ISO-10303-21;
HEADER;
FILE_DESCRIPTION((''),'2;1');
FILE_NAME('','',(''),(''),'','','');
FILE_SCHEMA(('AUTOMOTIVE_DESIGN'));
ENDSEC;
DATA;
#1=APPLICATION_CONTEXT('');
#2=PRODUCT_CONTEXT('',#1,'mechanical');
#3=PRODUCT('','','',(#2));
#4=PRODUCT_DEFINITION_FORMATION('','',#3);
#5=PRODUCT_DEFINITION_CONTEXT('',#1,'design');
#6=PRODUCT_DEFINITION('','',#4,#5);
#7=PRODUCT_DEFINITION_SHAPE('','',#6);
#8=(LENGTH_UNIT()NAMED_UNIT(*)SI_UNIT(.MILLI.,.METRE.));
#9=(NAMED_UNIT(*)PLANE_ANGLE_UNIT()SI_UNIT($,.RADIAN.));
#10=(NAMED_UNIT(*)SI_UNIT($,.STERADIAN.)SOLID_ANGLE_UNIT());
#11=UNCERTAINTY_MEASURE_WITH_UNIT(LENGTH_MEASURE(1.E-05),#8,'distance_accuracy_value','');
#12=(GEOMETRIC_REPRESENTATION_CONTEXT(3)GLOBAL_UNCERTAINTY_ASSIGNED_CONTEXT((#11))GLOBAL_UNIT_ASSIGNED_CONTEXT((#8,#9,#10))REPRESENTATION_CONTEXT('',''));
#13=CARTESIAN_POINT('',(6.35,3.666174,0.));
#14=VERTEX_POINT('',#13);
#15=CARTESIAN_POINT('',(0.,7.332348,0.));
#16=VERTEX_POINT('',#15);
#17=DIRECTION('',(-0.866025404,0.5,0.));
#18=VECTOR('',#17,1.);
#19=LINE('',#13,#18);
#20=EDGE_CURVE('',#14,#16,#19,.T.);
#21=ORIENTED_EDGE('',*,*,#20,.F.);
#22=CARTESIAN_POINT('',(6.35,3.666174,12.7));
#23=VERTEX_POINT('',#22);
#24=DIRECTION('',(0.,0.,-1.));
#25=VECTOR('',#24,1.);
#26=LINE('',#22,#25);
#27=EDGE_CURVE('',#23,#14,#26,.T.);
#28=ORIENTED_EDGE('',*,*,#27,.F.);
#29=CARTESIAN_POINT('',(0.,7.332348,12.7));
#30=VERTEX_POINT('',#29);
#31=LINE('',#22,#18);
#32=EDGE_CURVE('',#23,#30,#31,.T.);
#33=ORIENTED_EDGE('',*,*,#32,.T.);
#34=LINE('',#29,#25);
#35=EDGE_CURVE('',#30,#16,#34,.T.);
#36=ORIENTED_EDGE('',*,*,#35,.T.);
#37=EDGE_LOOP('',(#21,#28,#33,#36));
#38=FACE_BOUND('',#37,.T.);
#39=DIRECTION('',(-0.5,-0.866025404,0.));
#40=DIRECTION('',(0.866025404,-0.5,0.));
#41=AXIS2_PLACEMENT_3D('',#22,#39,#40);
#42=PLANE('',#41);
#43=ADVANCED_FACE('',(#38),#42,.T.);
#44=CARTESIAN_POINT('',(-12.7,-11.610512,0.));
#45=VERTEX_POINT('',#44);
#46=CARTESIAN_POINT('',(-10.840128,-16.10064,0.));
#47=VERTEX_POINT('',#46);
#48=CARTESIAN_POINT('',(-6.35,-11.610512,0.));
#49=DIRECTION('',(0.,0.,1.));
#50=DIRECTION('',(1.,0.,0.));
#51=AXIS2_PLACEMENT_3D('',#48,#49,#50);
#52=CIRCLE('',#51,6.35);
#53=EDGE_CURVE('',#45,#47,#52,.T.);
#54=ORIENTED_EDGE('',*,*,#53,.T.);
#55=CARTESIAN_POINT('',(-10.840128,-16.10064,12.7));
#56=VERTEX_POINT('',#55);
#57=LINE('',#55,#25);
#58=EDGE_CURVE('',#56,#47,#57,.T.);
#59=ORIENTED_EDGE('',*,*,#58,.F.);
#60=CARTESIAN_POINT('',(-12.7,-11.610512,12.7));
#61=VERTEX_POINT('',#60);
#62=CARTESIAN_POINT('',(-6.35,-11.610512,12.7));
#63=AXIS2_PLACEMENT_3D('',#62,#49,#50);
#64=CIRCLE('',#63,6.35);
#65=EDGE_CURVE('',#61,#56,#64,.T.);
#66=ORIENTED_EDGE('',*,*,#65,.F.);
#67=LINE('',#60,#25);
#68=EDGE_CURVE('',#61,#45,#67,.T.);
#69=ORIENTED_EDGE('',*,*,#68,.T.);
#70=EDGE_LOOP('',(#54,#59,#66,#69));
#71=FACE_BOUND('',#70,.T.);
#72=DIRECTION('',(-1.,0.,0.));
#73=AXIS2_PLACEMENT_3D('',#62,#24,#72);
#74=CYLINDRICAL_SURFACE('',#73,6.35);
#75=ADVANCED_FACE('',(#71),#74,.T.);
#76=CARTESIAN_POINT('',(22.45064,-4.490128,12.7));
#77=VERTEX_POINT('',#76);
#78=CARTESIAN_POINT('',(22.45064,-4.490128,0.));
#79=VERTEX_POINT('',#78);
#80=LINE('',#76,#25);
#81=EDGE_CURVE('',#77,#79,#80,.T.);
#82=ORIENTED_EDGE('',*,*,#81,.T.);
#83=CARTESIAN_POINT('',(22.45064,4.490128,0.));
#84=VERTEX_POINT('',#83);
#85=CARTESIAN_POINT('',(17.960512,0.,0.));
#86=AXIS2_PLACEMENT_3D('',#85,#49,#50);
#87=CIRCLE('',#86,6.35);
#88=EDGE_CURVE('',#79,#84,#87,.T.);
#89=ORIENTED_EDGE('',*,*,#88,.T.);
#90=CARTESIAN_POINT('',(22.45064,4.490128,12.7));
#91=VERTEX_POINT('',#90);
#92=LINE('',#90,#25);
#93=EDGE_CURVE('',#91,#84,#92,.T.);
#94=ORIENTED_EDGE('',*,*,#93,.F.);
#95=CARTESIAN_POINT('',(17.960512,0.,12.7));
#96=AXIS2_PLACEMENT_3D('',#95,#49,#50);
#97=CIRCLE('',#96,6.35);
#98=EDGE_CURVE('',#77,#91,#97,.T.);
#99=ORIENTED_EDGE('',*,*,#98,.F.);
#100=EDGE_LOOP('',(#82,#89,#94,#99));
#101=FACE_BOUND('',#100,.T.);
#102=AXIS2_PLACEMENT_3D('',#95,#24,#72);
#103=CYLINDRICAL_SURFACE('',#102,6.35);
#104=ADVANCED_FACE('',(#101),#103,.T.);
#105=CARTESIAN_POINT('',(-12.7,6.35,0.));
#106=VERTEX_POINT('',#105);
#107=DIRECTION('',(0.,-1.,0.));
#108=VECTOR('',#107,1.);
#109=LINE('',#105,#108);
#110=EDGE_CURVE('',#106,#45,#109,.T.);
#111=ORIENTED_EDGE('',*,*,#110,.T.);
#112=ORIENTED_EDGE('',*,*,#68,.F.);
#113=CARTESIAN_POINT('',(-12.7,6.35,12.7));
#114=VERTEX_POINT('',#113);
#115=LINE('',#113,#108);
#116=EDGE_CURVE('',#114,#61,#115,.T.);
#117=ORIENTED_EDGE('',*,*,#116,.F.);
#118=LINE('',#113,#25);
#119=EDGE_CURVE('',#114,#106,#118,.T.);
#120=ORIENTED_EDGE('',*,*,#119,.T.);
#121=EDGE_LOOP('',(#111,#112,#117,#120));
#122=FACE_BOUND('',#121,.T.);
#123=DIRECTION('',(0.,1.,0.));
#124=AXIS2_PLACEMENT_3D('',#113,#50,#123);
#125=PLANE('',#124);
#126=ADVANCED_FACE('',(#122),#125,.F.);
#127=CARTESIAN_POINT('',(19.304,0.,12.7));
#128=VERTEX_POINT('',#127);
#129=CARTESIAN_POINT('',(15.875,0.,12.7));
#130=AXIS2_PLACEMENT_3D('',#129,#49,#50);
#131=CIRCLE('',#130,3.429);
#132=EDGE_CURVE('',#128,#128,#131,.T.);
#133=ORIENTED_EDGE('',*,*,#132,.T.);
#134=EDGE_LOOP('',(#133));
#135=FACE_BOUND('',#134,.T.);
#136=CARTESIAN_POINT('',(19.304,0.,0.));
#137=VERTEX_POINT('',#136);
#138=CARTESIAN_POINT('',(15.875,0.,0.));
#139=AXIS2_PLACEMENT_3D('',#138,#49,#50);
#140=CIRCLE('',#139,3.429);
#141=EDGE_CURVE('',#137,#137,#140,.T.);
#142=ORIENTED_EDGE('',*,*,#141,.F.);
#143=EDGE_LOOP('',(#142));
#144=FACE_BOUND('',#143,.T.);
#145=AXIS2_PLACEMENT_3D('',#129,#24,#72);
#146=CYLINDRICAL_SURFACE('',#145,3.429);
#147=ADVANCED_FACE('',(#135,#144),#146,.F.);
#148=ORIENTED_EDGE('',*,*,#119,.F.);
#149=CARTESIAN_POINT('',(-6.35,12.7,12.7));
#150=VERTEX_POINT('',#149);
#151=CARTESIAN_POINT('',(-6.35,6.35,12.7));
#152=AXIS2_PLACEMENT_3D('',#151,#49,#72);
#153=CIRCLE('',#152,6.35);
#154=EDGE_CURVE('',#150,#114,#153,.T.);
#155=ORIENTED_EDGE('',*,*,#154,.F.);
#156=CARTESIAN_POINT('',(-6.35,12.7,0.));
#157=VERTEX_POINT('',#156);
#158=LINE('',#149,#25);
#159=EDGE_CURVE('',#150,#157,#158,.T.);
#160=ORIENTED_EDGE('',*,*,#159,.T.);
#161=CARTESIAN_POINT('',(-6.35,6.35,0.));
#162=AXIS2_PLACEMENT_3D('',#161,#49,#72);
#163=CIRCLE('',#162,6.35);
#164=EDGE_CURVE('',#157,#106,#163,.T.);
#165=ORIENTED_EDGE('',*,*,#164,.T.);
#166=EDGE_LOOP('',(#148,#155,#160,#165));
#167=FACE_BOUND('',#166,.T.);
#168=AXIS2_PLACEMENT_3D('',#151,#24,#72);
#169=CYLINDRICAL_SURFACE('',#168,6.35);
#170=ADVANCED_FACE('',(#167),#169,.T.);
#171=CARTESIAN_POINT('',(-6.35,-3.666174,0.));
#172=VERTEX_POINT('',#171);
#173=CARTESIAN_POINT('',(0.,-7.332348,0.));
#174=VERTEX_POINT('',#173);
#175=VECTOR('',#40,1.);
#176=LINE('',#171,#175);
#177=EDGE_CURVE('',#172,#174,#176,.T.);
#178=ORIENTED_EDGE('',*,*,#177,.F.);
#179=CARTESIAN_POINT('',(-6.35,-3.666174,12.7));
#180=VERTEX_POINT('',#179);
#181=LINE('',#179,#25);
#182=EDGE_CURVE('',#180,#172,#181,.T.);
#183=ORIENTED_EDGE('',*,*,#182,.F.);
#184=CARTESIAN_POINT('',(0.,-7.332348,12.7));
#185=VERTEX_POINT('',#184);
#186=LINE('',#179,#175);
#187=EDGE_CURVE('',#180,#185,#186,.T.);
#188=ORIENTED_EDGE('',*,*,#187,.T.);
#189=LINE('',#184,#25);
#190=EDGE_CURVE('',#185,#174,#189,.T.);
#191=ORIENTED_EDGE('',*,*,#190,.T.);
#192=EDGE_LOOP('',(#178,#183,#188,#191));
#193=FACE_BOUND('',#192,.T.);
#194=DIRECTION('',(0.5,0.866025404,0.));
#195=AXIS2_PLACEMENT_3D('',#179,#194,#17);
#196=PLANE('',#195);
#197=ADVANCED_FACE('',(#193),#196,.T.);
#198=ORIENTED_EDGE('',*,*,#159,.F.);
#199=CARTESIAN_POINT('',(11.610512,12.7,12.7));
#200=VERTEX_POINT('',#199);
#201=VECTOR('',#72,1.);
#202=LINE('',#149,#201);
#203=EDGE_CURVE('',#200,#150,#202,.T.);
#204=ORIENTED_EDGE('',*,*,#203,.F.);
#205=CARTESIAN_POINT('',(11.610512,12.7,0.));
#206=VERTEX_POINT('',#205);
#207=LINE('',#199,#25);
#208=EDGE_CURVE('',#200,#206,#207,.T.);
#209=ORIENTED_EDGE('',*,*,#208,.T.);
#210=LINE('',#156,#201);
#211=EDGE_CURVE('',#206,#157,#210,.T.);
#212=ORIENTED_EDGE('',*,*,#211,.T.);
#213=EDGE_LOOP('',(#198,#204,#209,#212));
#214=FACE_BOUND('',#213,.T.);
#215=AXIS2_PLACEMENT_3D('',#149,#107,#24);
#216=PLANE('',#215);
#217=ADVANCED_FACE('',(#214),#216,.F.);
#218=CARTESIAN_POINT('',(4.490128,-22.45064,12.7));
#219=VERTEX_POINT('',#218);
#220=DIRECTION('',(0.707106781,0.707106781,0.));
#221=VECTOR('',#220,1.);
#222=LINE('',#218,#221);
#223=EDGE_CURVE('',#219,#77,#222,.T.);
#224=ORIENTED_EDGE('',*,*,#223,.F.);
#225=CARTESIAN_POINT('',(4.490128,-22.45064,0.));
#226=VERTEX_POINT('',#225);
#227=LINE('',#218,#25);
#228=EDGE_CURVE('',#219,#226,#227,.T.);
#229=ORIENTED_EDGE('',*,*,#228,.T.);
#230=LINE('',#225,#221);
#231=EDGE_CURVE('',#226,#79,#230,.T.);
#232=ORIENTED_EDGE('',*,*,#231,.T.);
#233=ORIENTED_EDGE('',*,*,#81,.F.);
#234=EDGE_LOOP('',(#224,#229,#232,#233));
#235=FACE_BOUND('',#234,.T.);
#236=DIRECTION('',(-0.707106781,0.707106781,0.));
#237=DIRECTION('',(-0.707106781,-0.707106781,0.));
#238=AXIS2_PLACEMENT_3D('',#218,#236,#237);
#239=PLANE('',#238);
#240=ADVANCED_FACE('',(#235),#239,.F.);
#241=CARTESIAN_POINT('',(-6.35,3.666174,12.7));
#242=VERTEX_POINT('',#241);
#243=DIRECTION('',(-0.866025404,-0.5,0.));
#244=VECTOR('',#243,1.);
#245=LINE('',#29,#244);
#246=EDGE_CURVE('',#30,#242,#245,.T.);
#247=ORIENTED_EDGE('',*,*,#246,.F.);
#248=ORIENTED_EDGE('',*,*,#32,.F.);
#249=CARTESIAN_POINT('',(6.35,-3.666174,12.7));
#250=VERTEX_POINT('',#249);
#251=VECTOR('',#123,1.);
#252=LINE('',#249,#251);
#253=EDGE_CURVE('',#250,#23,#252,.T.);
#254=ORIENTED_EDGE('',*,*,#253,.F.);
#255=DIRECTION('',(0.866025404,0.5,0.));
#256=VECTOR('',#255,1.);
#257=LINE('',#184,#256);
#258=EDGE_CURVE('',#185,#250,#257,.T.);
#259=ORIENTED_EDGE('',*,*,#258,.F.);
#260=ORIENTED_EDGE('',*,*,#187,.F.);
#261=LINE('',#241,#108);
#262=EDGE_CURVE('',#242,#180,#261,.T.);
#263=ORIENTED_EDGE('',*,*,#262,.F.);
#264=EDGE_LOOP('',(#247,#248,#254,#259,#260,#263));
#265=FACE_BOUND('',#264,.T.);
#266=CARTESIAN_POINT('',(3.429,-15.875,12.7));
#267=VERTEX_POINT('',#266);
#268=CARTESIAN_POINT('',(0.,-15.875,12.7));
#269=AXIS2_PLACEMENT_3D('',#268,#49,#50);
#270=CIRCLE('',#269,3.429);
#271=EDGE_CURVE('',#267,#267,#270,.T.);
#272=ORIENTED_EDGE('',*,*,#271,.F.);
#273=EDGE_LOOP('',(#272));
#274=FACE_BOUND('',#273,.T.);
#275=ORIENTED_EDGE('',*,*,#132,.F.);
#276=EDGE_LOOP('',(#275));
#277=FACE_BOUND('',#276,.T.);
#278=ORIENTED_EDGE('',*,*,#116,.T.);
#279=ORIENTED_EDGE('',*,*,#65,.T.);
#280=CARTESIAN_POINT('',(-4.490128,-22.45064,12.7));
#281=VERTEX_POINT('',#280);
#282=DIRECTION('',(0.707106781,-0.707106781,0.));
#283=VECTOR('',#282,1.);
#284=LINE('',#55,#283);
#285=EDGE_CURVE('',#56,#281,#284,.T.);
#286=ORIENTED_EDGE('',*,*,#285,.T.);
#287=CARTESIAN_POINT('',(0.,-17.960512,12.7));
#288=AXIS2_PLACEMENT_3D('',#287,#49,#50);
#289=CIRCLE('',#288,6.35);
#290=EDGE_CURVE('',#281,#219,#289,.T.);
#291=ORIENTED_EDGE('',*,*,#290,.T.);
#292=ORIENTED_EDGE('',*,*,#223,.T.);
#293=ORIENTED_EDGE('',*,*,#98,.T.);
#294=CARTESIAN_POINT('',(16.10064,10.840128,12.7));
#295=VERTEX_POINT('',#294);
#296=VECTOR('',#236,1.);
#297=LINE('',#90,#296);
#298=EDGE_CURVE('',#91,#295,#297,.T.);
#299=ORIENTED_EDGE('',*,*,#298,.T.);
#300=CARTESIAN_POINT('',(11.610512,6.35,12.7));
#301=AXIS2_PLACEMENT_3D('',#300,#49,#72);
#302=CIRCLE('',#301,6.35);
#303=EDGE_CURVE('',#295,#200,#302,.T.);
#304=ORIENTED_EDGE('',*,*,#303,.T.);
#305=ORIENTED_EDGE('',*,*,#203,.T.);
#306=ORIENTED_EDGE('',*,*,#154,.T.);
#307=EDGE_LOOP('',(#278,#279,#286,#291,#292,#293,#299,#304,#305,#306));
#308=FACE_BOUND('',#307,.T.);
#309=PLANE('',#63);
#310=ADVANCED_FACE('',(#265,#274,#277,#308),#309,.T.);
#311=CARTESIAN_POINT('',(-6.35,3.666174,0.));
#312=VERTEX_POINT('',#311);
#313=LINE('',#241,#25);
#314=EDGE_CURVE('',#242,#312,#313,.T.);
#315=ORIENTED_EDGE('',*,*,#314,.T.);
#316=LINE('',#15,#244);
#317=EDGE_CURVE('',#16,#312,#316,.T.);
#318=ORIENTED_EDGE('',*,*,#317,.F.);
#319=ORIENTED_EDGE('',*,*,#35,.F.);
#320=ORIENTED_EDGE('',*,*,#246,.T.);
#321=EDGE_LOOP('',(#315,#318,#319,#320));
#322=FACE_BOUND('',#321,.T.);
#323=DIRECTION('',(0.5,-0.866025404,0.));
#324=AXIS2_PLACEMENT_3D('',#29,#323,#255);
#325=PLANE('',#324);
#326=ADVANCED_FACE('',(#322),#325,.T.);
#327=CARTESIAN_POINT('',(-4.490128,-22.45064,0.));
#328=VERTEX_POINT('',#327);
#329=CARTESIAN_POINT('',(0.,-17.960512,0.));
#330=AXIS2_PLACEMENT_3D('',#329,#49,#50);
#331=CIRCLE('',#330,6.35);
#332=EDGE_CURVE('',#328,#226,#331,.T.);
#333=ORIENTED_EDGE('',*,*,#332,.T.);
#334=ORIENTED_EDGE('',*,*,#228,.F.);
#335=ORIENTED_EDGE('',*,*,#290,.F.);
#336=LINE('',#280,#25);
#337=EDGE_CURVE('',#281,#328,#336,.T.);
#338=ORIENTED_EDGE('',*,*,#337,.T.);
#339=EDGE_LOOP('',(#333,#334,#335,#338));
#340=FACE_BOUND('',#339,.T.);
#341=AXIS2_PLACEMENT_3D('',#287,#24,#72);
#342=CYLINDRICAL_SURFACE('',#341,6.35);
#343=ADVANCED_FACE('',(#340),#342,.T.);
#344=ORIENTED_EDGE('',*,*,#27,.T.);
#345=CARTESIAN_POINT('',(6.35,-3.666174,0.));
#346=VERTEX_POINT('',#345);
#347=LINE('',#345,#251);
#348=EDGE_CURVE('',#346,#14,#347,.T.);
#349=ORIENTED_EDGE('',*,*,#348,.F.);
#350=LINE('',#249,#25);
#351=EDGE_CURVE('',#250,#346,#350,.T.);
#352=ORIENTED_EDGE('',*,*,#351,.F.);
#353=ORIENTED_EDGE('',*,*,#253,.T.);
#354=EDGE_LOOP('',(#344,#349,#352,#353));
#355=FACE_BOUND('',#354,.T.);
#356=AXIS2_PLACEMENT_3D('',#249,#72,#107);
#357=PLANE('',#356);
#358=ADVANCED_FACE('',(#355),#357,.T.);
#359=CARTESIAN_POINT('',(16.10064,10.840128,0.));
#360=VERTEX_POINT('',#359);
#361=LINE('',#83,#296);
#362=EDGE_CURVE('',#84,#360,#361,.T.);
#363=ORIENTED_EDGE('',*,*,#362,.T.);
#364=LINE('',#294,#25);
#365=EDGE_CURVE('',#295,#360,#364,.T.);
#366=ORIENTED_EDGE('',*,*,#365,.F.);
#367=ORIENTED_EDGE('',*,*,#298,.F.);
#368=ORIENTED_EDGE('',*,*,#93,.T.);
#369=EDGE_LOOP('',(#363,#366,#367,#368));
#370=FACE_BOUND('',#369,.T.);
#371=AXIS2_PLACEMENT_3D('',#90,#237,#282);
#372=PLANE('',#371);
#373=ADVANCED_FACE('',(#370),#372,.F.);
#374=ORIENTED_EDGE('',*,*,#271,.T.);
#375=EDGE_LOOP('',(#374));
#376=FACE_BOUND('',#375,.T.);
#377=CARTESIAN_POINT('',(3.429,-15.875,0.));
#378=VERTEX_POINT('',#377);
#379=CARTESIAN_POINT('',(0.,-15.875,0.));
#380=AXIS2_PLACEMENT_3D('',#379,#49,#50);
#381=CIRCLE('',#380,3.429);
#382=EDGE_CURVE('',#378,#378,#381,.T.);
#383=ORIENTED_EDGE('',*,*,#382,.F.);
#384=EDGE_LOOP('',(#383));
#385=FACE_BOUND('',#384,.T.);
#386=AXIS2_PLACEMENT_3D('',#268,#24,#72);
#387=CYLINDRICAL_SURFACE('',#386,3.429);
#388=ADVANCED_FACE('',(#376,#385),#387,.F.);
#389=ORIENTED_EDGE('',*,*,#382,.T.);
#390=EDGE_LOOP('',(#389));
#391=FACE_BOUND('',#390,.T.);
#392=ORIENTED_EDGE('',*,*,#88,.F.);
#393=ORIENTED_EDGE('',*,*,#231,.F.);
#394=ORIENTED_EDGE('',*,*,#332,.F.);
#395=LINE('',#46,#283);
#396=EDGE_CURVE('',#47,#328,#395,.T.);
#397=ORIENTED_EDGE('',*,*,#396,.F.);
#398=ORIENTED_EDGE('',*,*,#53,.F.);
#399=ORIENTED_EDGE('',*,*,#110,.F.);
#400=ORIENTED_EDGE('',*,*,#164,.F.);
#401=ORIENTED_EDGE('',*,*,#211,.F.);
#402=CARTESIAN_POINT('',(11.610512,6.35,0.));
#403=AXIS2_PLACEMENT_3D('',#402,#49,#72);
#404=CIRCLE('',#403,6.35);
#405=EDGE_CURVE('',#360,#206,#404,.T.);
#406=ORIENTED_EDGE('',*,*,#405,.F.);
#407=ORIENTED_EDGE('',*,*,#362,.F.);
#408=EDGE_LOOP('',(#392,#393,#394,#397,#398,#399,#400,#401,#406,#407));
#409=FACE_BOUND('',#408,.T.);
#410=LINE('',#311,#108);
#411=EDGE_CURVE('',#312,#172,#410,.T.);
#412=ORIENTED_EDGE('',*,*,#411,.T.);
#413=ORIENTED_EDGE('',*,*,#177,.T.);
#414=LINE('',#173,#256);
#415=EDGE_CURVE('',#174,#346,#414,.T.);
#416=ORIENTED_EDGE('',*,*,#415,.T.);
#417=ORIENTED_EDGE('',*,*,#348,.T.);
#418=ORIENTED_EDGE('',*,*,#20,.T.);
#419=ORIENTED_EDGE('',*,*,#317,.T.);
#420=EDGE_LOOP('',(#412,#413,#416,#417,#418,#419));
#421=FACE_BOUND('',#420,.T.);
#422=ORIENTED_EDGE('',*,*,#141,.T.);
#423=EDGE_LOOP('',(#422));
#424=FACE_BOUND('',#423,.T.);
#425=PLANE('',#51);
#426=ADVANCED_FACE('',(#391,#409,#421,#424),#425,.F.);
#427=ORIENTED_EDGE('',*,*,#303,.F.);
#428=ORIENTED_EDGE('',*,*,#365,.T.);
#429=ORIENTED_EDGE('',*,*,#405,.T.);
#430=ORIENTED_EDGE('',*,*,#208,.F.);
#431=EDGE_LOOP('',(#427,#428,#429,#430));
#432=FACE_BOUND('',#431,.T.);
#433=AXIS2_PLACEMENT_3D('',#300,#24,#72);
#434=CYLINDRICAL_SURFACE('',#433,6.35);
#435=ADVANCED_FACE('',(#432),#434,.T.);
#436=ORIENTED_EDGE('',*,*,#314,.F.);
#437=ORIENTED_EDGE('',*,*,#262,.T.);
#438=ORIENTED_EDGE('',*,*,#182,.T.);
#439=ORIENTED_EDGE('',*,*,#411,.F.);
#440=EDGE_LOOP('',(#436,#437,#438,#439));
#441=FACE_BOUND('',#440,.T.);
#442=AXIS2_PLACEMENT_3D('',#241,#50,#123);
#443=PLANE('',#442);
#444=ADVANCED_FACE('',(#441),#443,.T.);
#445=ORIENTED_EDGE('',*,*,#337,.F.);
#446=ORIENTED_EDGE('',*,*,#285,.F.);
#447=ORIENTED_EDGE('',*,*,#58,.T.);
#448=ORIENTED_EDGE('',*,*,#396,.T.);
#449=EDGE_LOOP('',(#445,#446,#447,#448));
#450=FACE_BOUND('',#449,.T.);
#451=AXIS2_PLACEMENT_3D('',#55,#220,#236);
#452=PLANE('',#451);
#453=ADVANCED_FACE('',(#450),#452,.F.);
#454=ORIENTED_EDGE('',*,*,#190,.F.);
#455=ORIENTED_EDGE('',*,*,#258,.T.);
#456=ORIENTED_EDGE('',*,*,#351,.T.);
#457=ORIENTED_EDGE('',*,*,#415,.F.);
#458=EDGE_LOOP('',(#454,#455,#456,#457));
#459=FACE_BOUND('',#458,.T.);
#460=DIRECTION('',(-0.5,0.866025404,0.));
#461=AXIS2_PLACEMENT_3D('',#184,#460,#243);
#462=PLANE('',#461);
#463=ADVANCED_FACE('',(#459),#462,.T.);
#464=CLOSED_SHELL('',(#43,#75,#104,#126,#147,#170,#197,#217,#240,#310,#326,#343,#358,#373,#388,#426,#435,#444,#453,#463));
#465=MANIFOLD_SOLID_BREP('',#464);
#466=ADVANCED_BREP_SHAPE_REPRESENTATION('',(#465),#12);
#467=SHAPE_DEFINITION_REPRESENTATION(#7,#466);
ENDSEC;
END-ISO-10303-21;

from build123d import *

# Parameters (mm, degrees)
SKETCH2_R           = 3.429
BOSS_EXTRUDE1_DEPTH = 12.7


with BuildPart() as part:
    # Sketch2 → Boss-Extrude1 (new body)
    with BuildSketch(Plane.XY):
        with BuildLine():
            Line((-10.840128061, -16.100640303), (-4.490128061, -22.450640303))
            ThreePointArc((-4.490128061, -22.450640303), (0, -24.310512242), (4.490128061, -22.450640303))
            Line((4.490128061, -22.450640303), (22.450640303, -4.490128061))
            ThreePointArc((22.450640303, -4.490128061), (24.310512242, 0), (22.450640303, 4.490128061))
            Line((22.450640303, 4.490128061), (16.100640303, 10.840128061))
            ThreePointArc((16.100640303, 10.840128061), (14.040552038, 12.216635031), (11.610512242, 12.7))
            Line((11.610512242, 12.7), (-6.35, 12.7))
            ThreePointArc((-6.35, 12.7), (-10.840128061, 10.840128061), (-12.7, 6.35))
            Line((-12.7, 6.35), (-12.7, -11.610512242))
            ThreePointArc((-12.7, -11.610512242), (-12.216635031, -14.040552038), (-10.840128061, -16.100640303))
        make_face()
        with Locations((15.875, 0)):
            Circle(SKETCH2_R, mode=Mode.SUBTRACT)
        with Locations((0, -15.875)):
            Circle(SKETCH2_R, mode=Mode.SUBTRACT)
        Polygon((6.35, 3.666174209), (0, 7.332348419), (-6.35, 3.666174209), (-6.35, -3.666174209), (0, -7.332348419), (6.35, -3.666174209), align=None, mode=Mode.SUBTRACT)
    extrude(amount=BOSS_EXTRUDE1_DEPTH)


solid = part.part
